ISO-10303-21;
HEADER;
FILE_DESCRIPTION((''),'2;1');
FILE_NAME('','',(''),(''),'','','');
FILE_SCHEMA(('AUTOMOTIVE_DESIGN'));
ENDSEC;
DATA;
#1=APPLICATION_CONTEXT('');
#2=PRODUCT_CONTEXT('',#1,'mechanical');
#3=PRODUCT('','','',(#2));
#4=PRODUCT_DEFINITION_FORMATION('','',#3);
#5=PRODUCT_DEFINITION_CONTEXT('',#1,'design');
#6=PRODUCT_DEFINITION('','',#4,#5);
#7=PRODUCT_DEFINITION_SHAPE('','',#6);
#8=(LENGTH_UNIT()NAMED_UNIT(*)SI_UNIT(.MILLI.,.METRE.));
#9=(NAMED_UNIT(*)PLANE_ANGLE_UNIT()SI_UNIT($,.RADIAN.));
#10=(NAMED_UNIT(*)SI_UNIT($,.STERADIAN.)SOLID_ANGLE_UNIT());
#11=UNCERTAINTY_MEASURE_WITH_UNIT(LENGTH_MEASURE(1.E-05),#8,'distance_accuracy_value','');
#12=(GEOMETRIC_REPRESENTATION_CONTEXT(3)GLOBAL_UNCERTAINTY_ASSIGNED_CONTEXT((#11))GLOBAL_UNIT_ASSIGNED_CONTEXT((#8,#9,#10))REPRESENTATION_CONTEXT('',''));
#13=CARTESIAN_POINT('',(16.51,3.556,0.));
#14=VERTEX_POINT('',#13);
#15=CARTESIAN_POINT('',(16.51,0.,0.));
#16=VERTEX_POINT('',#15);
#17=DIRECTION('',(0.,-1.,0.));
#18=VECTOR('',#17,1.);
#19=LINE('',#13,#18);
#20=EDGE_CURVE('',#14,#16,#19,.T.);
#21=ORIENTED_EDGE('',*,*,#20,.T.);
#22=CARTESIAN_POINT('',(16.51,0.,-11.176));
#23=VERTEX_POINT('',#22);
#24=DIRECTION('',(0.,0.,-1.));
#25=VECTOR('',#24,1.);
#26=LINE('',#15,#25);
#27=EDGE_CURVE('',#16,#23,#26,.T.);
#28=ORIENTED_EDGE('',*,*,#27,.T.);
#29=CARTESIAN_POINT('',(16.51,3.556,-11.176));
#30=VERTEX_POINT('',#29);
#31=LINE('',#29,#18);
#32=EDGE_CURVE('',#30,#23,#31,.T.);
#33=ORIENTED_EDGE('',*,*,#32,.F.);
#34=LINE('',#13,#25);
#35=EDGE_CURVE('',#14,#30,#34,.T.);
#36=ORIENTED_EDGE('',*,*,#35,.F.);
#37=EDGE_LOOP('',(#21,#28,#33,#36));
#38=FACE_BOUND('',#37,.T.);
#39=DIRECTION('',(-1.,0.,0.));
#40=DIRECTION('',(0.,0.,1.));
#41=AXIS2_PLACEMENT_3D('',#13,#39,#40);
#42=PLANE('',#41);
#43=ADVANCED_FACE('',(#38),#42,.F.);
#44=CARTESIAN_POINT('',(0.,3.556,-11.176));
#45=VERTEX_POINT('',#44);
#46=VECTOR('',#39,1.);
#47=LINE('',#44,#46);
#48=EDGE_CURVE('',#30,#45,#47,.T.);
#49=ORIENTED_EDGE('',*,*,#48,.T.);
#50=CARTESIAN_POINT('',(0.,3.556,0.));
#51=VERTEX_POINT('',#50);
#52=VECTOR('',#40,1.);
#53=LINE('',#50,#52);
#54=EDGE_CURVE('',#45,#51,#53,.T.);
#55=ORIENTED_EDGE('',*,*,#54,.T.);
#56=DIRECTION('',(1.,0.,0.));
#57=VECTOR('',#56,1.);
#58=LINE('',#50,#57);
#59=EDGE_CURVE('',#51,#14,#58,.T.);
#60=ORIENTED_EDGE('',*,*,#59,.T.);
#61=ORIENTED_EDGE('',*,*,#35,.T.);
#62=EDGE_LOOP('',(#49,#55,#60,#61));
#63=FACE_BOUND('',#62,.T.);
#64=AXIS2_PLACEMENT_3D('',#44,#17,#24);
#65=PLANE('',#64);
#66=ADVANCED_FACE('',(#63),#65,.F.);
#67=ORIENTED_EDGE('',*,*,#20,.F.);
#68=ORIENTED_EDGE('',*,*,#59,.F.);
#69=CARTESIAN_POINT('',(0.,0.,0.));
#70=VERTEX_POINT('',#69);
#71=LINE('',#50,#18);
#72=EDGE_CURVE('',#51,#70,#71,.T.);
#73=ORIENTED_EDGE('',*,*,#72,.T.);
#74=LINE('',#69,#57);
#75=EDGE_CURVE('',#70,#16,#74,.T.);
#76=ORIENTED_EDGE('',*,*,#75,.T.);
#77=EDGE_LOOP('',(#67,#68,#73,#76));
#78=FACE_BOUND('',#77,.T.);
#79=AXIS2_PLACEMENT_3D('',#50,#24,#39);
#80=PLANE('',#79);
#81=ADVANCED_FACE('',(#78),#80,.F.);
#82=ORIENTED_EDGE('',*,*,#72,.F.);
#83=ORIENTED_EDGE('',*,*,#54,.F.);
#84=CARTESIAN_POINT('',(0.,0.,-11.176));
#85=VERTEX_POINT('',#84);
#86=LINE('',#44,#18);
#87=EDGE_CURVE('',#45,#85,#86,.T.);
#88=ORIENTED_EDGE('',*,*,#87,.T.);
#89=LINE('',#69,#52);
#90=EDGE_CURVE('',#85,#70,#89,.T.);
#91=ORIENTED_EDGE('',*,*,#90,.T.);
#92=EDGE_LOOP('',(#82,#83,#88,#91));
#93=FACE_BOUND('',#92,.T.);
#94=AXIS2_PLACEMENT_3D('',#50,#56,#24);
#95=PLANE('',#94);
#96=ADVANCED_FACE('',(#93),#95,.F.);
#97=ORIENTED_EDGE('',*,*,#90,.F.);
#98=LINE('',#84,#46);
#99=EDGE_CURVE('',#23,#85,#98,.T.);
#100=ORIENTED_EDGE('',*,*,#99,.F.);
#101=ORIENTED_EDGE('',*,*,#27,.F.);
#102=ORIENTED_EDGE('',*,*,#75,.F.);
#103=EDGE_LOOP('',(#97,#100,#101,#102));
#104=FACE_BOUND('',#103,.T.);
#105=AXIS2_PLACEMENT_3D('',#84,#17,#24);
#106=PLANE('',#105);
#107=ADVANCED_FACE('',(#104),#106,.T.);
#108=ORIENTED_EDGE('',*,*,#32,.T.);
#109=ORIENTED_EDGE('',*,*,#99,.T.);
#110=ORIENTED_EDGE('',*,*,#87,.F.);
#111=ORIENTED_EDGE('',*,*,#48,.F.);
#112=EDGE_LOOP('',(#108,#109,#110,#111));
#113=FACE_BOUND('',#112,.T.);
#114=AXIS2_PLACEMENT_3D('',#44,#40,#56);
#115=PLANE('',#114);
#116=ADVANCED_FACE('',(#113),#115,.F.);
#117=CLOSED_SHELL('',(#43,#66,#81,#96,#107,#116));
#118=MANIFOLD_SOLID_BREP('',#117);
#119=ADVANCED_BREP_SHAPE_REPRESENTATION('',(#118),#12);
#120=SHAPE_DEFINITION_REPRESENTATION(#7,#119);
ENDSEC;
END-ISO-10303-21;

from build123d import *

# Parameters (mm, degrees)
SKETCH1_W      = 16.51
SKETCH1_H      = 11.176
EXTRUDE1_DEPTH = 3.556


with BuildPart() as part:
    # Sketch1 → Extrude1 (new body)
    with BuildSketch(Plane(origin=(0, 0, 0), x_dir=(1, 0, 0), z_dir=(0, 1, 0))):
        with Locations((8.255, 5.588)):
            Rectangle(SKETCH1_W, SKETCH1_H)
    extrude(amount=EXTRUDE1_DEPTH)


solid = part.part
